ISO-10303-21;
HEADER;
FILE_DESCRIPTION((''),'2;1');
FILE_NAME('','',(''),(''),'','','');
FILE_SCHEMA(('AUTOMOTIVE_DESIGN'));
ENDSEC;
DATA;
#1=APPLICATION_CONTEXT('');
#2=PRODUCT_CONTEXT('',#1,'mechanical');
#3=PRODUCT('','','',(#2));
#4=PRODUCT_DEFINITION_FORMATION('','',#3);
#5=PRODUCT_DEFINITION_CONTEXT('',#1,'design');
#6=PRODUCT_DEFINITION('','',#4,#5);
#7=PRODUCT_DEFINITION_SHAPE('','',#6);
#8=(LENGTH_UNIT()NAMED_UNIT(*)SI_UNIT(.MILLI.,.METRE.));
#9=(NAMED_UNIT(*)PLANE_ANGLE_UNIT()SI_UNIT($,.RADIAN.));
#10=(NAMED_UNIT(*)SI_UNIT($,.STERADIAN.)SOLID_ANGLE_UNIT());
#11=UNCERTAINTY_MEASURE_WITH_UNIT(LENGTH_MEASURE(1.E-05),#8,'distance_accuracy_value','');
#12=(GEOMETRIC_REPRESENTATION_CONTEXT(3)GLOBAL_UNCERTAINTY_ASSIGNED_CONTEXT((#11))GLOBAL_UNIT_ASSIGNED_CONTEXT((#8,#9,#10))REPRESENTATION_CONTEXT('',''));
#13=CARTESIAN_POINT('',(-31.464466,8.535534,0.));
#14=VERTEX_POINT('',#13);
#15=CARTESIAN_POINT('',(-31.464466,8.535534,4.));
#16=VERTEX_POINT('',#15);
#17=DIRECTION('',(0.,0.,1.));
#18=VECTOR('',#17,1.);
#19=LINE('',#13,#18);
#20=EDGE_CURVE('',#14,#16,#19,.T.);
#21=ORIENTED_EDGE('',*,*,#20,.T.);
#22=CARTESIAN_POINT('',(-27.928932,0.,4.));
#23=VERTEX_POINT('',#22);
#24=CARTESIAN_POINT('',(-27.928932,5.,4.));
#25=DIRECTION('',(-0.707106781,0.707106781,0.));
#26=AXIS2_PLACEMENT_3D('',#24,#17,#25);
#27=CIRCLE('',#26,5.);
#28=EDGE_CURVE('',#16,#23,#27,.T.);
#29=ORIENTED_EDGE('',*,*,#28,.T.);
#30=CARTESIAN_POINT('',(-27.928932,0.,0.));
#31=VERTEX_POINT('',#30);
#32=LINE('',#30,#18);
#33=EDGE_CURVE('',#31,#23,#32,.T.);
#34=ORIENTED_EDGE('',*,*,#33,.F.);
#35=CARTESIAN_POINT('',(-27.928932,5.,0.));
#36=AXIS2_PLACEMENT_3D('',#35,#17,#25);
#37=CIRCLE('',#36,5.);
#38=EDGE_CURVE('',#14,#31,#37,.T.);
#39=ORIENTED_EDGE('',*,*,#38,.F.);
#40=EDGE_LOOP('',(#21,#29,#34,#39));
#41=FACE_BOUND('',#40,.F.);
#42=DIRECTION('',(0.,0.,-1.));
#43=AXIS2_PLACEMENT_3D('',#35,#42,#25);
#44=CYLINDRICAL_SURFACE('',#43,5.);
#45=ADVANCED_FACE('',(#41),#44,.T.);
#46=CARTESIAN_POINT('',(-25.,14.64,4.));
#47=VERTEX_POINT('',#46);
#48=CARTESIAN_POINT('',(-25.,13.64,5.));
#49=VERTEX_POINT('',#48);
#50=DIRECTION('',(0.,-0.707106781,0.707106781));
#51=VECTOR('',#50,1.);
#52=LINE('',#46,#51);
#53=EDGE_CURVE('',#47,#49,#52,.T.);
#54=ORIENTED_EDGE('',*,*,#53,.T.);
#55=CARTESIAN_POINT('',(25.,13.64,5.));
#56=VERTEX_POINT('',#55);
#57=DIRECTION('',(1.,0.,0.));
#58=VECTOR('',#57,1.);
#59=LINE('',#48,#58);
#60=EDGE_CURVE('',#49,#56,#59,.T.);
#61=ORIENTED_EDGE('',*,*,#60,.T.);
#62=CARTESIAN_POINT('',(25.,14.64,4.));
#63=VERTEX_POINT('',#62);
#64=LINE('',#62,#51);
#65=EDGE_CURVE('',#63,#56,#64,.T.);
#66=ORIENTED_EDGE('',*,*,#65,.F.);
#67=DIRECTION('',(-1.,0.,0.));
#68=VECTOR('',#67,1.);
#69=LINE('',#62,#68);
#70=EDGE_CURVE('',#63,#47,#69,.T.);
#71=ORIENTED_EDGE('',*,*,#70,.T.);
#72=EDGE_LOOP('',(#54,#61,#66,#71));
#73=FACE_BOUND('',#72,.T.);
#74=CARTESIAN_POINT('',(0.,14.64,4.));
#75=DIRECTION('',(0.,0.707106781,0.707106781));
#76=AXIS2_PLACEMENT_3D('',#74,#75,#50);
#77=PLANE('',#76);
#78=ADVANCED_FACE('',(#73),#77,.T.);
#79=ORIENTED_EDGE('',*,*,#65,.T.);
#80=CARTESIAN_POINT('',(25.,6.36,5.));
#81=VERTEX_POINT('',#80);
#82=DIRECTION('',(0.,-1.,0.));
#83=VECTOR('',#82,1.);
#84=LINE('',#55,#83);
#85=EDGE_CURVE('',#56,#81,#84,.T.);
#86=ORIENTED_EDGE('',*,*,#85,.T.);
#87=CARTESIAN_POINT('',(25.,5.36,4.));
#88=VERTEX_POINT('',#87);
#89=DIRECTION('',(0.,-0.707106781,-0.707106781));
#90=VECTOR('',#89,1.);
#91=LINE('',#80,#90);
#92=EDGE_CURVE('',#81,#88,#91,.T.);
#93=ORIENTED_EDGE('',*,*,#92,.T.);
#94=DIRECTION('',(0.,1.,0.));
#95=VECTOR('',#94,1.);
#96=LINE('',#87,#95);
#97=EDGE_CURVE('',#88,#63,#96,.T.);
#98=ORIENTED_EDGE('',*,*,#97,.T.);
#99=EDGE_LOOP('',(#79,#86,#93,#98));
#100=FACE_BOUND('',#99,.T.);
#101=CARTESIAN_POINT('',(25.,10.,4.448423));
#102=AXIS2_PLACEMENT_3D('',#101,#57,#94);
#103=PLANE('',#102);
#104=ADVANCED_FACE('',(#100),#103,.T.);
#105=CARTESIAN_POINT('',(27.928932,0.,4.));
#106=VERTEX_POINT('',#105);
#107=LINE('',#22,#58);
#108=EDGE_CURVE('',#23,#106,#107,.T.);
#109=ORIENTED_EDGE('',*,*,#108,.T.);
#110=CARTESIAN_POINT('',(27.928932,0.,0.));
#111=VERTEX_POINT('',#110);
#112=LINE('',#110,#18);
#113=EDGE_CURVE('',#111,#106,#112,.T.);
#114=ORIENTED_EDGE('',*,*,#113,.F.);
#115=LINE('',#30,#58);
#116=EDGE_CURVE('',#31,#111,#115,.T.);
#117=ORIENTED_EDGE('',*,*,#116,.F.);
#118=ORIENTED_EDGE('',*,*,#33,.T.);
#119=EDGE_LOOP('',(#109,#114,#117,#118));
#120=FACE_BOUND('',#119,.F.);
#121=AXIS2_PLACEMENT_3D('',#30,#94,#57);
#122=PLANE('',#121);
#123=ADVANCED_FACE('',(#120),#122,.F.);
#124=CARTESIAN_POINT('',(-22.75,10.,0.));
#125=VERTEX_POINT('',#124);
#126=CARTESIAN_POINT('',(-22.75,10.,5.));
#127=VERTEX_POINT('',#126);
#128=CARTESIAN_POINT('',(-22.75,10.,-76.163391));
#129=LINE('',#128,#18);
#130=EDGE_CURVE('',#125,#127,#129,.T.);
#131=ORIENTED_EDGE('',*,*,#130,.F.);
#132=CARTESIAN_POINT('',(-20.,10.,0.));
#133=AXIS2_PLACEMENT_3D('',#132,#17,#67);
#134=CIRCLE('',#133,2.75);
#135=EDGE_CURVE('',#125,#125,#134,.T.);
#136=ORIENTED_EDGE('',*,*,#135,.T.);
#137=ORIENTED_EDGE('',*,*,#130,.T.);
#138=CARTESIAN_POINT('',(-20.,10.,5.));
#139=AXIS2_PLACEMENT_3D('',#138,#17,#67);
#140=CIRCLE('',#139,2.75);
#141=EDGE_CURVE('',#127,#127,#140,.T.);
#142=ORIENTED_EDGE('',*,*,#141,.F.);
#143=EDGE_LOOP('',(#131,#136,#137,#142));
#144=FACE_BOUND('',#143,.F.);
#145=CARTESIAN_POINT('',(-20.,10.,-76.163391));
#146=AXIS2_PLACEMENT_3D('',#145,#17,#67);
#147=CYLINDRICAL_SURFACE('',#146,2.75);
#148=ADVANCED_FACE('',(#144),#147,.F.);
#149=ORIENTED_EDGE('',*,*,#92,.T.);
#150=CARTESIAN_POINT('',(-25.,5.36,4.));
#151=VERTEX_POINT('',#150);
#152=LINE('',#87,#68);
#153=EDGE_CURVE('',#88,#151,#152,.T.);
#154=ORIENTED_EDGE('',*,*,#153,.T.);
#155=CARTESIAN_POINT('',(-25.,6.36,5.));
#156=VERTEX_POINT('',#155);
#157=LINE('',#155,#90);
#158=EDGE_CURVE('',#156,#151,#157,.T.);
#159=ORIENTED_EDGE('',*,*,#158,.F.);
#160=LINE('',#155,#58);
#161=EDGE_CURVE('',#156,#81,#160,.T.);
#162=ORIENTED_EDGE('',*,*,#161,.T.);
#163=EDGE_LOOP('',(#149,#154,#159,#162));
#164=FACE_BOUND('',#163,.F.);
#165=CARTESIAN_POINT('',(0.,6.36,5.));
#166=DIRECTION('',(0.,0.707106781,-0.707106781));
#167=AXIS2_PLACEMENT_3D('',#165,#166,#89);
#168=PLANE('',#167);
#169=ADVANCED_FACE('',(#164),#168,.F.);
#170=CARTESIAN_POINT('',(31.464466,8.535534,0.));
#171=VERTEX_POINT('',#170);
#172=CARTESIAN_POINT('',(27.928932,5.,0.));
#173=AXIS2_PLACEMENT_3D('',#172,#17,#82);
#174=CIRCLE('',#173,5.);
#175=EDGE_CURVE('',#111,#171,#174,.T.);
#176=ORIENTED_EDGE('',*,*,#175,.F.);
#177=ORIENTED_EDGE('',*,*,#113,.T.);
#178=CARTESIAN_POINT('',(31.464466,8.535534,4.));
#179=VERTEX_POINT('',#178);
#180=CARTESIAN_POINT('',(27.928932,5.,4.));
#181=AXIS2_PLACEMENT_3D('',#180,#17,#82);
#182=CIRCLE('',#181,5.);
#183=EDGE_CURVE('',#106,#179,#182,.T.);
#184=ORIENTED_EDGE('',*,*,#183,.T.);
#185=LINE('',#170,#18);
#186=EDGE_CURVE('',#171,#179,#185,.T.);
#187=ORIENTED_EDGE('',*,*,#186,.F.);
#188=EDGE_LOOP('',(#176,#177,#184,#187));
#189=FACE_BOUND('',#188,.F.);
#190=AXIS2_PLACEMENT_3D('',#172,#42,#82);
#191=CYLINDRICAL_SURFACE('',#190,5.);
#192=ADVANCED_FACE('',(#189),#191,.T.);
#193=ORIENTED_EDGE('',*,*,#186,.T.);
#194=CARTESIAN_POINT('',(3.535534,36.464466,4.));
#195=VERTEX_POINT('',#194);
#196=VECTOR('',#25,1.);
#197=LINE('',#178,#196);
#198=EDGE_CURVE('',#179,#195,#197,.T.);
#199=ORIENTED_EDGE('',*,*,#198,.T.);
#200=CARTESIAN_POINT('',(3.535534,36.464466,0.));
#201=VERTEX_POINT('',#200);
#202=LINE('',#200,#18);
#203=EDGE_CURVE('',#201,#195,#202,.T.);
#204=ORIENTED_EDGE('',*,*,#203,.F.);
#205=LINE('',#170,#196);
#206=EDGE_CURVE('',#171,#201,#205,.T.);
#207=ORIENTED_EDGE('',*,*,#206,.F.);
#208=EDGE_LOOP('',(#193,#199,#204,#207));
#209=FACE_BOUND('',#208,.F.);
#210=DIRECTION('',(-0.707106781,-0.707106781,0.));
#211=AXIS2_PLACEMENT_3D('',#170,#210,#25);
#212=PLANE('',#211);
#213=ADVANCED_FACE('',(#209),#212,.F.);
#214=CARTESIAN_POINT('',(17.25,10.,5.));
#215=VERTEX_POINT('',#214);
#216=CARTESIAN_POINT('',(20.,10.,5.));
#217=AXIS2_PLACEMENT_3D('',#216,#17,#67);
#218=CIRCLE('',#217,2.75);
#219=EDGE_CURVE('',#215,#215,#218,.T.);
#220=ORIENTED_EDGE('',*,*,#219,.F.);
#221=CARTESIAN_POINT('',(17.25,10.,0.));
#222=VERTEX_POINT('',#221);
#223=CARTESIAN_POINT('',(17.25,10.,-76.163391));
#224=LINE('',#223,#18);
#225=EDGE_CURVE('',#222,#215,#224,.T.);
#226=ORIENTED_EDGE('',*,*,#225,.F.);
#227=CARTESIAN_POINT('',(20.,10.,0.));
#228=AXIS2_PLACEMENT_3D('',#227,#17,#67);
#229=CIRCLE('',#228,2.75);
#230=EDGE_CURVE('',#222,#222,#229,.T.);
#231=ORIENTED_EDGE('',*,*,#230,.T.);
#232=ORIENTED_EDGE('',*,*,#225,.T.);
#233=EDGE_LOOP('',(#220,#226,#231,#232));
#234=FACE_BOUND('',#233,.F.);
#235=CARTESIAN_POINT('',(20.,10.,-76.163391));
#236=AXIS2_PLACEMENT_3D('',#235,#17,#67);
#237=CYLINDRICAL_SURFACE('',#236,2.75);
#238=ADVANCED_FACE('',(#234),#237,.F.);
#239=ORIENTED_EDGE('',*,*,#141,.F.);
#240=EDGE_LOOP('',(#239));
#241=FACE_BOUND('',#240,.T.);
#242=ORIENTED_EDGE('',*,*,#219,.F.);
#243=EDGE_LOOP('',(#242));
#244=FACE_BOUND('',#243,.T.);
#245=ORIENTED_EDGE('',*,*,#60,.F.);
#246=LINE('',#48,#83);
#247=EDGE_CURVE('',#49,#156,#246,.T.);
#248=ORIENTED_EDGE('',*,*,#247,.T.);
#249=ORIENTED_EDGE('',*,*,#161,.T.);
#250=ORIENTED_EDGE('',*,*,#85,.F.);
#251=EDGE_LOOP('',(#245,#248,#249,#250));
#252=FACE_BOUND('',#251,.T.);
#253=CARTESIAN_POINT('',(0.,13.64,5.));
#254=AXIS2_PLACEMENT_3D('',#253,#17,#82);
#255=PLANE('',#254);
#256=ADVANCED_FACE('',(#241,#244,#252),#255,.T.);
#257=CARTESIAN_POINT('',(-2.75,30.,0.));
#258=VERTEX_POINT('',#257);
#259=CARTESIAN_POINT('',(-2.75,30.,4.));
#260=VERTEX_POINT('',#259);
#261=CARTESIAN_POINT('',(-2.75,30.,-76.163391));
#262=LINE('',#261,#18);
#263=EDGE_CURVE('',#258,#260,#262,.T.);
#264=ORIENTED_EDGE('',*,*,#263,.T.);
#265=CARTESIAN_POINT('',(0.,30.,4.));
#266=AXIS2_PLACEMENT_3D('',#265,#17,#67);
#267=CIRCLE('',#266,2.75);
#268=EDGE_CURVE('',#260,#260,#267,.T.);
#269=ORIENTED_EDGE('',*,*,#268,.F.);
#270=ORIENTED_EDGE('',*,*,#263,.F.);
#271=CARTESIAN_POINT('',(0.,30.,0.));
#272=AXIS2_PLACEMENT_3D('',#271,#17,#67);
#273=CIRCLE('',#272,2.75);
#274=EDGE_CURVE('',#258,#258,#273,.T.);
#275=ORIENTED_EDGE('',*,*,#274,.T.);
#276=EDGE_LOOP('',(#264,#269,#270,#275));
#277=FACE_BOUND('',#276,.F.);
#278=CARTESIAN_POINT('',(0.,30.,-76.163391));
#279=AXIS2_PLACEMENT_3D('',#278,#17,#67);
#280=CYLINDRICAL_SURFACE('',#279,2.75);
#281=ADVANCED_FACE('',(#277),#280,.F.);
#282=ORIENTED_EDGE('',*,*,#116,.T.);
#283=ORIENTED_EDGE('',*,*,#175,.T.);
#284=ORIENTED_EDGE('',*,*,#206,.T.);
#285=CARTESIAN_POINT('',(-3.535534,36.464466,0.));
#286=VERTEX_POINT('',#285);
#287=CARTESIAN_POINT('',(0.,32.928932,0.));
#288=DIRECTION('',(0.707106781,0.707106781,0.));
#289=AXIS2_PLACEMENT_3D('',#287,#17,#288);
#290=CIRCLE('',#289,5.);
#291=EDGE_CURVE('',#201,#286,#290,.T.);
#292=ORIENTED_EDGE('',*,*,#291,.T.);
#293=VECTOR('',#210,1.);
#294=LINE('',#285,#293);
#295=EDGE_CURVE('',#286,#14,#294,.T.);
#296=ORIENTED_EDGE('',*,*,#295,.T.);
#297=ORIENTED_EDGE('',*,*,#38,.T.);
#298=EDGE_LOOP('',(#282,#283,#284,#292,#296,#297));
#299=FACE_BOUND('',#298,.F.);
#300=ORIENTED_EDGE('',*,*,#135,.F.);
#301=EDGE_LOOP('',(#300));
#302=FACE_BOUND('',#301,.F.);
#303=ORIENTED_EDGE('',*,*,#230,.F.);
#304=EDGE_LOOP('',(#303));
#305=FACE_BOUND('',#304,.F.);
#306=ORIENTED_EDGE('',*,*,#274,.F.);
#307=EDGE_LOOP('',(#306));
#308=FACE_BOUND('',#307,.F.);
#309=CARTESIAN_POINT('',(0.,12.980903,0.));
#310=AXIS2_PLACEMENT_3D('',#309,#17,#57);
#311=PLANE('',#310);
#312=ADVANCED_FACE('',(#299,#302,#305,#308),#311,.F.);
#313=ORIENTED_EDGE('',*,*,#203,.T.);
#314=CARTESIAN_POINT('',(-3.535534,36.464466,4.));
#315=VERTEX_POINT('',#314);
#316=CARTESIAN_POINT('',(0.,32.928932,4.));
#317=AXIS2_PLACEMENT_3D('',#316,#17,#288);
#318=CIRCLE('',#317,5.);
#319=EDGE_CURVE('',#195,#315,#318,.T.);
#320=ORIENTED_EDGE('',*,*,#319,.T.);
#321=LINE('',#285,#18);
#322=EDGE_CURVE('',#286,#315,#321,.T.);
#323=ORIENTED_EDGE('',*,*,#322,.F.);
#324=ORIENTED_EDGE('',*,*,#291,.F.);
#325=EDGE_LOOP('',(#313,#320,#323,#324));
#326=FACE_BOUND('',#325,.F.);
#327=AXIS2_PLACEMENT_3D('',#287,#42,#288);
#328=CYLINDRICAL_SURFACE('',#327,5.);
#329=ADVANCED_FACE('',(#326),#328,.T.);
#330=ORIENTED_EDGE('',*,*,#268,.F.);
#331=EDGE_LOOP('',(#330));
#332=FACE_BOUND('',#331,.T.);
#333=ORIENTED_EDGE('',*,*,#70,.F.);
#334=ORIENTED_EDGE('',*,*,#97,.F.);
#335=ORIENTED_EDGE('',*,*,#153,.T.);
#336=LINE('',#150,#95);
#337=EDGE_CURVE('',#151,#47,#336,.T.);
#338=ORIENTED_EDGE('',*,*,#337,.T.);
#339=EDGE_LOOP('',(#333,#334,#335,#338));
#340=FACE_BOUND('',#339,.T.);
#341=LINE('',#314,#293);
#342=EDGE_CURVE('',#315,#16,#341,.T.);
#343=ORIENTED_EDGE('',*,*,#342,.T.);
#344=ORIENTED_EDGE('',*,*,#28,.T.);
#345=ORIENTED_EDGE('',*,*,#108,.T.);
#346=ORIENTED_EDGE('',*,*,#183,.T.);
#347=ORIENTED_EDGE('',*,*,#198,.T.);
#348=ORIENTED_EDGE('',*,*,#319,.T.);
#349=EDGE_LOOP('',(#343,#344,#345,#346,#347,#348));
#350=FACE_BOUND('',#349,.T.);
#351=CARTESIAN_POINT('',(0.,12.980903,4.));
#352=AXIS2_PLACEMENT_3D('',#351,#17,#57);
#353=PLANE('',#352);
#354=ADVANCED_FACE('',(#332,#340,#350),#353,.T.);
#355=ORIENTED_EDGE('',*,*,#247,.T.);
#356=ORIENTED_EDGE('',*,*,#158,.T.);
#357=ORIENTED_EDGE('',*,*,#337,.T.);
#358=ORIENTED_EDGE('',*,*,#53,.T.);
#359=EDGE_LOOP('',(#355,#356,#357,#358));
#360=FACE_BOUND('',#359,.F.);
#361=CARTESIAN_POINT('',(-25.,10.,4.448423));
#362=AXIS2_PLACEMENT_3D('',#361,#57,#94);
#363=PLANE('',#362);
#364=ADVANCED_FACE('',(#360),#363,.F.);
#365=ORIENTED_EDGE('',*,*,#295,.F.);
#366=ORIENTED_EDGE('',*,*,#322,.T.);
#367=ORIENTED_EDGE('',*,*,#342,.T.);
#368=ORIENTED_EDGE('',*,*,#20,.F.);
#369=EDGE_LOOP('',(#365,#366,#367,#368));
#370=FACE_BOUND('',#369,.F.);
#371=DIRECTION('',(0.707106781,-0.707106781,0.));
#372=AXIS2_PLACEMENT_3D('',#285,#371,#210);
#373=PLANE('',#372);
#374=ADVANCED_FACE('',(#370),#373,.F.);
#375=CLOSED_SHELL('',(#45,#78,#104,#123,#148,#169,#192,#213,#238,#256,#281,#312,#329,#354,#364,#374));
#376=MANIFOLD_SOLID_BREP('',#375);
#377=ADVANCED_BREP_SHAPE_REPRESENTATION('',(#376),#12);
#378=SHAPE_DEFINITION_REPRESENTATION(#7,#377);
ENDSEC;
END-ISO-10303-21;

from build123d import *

# Parameters (mm, degrees)
F1_DEPTH      = 4
F3_DEPTH      = 25
F3_DEPTH_BACK = 25
F4_D          = 5.5


with BuildPart() as f1:
    # F0 (on Top) → F1 (new body)
    with BuildSketch(Plane.XY):
        with BuildLine():
            ThreePointArc((3.5355339059, 36.4644660941), (0, 37.9289321881), (-3.5355339059, 36.4644660941))
            Line((-3.5355339059, 36.4644660941), (-31.4644660941, 8.5355339059))
            ThreePointArc((-31.4644660941, 8.5355339059), (-32.5483298507, 3.0865828382), (-27.9289321881, 0))
            Line((-27.9289321881, 0), (27.9289321881, 0))
            ThreePointArc((27.9289321881, 0), (32.5483298507, 3.0865828382), (31.4644660941, 8.5355339059))
            Line((31.4644660941, 8.5355339059), (3.5355339059, 36.4644660941))
        make_face()
    extrude(amount=F1_DEPTH)

    # F2 (on Right) → F3 (join, two sides)
    with BuildSketch(Plane.YZ) as f3_sk:
        Polygon((5.36, 4), (14.64, 4), (13.64, 5), (6.36, 5), align=None)
    extrude(amount=F3_DEPTH)
    extrude(f3_sk.sketch, amount=-F3_DEPTH_BACK)

    # F4 (through all)
    with Locations(Plane(origin=(0, 0, 0), x_dir=(1, 0, 0), z_dir=(0, 0, -1))):
        with Locations((-20, -10), (0, -30), (20, -10)):
            Hole(F4_D / 2)


solid = f1.part
